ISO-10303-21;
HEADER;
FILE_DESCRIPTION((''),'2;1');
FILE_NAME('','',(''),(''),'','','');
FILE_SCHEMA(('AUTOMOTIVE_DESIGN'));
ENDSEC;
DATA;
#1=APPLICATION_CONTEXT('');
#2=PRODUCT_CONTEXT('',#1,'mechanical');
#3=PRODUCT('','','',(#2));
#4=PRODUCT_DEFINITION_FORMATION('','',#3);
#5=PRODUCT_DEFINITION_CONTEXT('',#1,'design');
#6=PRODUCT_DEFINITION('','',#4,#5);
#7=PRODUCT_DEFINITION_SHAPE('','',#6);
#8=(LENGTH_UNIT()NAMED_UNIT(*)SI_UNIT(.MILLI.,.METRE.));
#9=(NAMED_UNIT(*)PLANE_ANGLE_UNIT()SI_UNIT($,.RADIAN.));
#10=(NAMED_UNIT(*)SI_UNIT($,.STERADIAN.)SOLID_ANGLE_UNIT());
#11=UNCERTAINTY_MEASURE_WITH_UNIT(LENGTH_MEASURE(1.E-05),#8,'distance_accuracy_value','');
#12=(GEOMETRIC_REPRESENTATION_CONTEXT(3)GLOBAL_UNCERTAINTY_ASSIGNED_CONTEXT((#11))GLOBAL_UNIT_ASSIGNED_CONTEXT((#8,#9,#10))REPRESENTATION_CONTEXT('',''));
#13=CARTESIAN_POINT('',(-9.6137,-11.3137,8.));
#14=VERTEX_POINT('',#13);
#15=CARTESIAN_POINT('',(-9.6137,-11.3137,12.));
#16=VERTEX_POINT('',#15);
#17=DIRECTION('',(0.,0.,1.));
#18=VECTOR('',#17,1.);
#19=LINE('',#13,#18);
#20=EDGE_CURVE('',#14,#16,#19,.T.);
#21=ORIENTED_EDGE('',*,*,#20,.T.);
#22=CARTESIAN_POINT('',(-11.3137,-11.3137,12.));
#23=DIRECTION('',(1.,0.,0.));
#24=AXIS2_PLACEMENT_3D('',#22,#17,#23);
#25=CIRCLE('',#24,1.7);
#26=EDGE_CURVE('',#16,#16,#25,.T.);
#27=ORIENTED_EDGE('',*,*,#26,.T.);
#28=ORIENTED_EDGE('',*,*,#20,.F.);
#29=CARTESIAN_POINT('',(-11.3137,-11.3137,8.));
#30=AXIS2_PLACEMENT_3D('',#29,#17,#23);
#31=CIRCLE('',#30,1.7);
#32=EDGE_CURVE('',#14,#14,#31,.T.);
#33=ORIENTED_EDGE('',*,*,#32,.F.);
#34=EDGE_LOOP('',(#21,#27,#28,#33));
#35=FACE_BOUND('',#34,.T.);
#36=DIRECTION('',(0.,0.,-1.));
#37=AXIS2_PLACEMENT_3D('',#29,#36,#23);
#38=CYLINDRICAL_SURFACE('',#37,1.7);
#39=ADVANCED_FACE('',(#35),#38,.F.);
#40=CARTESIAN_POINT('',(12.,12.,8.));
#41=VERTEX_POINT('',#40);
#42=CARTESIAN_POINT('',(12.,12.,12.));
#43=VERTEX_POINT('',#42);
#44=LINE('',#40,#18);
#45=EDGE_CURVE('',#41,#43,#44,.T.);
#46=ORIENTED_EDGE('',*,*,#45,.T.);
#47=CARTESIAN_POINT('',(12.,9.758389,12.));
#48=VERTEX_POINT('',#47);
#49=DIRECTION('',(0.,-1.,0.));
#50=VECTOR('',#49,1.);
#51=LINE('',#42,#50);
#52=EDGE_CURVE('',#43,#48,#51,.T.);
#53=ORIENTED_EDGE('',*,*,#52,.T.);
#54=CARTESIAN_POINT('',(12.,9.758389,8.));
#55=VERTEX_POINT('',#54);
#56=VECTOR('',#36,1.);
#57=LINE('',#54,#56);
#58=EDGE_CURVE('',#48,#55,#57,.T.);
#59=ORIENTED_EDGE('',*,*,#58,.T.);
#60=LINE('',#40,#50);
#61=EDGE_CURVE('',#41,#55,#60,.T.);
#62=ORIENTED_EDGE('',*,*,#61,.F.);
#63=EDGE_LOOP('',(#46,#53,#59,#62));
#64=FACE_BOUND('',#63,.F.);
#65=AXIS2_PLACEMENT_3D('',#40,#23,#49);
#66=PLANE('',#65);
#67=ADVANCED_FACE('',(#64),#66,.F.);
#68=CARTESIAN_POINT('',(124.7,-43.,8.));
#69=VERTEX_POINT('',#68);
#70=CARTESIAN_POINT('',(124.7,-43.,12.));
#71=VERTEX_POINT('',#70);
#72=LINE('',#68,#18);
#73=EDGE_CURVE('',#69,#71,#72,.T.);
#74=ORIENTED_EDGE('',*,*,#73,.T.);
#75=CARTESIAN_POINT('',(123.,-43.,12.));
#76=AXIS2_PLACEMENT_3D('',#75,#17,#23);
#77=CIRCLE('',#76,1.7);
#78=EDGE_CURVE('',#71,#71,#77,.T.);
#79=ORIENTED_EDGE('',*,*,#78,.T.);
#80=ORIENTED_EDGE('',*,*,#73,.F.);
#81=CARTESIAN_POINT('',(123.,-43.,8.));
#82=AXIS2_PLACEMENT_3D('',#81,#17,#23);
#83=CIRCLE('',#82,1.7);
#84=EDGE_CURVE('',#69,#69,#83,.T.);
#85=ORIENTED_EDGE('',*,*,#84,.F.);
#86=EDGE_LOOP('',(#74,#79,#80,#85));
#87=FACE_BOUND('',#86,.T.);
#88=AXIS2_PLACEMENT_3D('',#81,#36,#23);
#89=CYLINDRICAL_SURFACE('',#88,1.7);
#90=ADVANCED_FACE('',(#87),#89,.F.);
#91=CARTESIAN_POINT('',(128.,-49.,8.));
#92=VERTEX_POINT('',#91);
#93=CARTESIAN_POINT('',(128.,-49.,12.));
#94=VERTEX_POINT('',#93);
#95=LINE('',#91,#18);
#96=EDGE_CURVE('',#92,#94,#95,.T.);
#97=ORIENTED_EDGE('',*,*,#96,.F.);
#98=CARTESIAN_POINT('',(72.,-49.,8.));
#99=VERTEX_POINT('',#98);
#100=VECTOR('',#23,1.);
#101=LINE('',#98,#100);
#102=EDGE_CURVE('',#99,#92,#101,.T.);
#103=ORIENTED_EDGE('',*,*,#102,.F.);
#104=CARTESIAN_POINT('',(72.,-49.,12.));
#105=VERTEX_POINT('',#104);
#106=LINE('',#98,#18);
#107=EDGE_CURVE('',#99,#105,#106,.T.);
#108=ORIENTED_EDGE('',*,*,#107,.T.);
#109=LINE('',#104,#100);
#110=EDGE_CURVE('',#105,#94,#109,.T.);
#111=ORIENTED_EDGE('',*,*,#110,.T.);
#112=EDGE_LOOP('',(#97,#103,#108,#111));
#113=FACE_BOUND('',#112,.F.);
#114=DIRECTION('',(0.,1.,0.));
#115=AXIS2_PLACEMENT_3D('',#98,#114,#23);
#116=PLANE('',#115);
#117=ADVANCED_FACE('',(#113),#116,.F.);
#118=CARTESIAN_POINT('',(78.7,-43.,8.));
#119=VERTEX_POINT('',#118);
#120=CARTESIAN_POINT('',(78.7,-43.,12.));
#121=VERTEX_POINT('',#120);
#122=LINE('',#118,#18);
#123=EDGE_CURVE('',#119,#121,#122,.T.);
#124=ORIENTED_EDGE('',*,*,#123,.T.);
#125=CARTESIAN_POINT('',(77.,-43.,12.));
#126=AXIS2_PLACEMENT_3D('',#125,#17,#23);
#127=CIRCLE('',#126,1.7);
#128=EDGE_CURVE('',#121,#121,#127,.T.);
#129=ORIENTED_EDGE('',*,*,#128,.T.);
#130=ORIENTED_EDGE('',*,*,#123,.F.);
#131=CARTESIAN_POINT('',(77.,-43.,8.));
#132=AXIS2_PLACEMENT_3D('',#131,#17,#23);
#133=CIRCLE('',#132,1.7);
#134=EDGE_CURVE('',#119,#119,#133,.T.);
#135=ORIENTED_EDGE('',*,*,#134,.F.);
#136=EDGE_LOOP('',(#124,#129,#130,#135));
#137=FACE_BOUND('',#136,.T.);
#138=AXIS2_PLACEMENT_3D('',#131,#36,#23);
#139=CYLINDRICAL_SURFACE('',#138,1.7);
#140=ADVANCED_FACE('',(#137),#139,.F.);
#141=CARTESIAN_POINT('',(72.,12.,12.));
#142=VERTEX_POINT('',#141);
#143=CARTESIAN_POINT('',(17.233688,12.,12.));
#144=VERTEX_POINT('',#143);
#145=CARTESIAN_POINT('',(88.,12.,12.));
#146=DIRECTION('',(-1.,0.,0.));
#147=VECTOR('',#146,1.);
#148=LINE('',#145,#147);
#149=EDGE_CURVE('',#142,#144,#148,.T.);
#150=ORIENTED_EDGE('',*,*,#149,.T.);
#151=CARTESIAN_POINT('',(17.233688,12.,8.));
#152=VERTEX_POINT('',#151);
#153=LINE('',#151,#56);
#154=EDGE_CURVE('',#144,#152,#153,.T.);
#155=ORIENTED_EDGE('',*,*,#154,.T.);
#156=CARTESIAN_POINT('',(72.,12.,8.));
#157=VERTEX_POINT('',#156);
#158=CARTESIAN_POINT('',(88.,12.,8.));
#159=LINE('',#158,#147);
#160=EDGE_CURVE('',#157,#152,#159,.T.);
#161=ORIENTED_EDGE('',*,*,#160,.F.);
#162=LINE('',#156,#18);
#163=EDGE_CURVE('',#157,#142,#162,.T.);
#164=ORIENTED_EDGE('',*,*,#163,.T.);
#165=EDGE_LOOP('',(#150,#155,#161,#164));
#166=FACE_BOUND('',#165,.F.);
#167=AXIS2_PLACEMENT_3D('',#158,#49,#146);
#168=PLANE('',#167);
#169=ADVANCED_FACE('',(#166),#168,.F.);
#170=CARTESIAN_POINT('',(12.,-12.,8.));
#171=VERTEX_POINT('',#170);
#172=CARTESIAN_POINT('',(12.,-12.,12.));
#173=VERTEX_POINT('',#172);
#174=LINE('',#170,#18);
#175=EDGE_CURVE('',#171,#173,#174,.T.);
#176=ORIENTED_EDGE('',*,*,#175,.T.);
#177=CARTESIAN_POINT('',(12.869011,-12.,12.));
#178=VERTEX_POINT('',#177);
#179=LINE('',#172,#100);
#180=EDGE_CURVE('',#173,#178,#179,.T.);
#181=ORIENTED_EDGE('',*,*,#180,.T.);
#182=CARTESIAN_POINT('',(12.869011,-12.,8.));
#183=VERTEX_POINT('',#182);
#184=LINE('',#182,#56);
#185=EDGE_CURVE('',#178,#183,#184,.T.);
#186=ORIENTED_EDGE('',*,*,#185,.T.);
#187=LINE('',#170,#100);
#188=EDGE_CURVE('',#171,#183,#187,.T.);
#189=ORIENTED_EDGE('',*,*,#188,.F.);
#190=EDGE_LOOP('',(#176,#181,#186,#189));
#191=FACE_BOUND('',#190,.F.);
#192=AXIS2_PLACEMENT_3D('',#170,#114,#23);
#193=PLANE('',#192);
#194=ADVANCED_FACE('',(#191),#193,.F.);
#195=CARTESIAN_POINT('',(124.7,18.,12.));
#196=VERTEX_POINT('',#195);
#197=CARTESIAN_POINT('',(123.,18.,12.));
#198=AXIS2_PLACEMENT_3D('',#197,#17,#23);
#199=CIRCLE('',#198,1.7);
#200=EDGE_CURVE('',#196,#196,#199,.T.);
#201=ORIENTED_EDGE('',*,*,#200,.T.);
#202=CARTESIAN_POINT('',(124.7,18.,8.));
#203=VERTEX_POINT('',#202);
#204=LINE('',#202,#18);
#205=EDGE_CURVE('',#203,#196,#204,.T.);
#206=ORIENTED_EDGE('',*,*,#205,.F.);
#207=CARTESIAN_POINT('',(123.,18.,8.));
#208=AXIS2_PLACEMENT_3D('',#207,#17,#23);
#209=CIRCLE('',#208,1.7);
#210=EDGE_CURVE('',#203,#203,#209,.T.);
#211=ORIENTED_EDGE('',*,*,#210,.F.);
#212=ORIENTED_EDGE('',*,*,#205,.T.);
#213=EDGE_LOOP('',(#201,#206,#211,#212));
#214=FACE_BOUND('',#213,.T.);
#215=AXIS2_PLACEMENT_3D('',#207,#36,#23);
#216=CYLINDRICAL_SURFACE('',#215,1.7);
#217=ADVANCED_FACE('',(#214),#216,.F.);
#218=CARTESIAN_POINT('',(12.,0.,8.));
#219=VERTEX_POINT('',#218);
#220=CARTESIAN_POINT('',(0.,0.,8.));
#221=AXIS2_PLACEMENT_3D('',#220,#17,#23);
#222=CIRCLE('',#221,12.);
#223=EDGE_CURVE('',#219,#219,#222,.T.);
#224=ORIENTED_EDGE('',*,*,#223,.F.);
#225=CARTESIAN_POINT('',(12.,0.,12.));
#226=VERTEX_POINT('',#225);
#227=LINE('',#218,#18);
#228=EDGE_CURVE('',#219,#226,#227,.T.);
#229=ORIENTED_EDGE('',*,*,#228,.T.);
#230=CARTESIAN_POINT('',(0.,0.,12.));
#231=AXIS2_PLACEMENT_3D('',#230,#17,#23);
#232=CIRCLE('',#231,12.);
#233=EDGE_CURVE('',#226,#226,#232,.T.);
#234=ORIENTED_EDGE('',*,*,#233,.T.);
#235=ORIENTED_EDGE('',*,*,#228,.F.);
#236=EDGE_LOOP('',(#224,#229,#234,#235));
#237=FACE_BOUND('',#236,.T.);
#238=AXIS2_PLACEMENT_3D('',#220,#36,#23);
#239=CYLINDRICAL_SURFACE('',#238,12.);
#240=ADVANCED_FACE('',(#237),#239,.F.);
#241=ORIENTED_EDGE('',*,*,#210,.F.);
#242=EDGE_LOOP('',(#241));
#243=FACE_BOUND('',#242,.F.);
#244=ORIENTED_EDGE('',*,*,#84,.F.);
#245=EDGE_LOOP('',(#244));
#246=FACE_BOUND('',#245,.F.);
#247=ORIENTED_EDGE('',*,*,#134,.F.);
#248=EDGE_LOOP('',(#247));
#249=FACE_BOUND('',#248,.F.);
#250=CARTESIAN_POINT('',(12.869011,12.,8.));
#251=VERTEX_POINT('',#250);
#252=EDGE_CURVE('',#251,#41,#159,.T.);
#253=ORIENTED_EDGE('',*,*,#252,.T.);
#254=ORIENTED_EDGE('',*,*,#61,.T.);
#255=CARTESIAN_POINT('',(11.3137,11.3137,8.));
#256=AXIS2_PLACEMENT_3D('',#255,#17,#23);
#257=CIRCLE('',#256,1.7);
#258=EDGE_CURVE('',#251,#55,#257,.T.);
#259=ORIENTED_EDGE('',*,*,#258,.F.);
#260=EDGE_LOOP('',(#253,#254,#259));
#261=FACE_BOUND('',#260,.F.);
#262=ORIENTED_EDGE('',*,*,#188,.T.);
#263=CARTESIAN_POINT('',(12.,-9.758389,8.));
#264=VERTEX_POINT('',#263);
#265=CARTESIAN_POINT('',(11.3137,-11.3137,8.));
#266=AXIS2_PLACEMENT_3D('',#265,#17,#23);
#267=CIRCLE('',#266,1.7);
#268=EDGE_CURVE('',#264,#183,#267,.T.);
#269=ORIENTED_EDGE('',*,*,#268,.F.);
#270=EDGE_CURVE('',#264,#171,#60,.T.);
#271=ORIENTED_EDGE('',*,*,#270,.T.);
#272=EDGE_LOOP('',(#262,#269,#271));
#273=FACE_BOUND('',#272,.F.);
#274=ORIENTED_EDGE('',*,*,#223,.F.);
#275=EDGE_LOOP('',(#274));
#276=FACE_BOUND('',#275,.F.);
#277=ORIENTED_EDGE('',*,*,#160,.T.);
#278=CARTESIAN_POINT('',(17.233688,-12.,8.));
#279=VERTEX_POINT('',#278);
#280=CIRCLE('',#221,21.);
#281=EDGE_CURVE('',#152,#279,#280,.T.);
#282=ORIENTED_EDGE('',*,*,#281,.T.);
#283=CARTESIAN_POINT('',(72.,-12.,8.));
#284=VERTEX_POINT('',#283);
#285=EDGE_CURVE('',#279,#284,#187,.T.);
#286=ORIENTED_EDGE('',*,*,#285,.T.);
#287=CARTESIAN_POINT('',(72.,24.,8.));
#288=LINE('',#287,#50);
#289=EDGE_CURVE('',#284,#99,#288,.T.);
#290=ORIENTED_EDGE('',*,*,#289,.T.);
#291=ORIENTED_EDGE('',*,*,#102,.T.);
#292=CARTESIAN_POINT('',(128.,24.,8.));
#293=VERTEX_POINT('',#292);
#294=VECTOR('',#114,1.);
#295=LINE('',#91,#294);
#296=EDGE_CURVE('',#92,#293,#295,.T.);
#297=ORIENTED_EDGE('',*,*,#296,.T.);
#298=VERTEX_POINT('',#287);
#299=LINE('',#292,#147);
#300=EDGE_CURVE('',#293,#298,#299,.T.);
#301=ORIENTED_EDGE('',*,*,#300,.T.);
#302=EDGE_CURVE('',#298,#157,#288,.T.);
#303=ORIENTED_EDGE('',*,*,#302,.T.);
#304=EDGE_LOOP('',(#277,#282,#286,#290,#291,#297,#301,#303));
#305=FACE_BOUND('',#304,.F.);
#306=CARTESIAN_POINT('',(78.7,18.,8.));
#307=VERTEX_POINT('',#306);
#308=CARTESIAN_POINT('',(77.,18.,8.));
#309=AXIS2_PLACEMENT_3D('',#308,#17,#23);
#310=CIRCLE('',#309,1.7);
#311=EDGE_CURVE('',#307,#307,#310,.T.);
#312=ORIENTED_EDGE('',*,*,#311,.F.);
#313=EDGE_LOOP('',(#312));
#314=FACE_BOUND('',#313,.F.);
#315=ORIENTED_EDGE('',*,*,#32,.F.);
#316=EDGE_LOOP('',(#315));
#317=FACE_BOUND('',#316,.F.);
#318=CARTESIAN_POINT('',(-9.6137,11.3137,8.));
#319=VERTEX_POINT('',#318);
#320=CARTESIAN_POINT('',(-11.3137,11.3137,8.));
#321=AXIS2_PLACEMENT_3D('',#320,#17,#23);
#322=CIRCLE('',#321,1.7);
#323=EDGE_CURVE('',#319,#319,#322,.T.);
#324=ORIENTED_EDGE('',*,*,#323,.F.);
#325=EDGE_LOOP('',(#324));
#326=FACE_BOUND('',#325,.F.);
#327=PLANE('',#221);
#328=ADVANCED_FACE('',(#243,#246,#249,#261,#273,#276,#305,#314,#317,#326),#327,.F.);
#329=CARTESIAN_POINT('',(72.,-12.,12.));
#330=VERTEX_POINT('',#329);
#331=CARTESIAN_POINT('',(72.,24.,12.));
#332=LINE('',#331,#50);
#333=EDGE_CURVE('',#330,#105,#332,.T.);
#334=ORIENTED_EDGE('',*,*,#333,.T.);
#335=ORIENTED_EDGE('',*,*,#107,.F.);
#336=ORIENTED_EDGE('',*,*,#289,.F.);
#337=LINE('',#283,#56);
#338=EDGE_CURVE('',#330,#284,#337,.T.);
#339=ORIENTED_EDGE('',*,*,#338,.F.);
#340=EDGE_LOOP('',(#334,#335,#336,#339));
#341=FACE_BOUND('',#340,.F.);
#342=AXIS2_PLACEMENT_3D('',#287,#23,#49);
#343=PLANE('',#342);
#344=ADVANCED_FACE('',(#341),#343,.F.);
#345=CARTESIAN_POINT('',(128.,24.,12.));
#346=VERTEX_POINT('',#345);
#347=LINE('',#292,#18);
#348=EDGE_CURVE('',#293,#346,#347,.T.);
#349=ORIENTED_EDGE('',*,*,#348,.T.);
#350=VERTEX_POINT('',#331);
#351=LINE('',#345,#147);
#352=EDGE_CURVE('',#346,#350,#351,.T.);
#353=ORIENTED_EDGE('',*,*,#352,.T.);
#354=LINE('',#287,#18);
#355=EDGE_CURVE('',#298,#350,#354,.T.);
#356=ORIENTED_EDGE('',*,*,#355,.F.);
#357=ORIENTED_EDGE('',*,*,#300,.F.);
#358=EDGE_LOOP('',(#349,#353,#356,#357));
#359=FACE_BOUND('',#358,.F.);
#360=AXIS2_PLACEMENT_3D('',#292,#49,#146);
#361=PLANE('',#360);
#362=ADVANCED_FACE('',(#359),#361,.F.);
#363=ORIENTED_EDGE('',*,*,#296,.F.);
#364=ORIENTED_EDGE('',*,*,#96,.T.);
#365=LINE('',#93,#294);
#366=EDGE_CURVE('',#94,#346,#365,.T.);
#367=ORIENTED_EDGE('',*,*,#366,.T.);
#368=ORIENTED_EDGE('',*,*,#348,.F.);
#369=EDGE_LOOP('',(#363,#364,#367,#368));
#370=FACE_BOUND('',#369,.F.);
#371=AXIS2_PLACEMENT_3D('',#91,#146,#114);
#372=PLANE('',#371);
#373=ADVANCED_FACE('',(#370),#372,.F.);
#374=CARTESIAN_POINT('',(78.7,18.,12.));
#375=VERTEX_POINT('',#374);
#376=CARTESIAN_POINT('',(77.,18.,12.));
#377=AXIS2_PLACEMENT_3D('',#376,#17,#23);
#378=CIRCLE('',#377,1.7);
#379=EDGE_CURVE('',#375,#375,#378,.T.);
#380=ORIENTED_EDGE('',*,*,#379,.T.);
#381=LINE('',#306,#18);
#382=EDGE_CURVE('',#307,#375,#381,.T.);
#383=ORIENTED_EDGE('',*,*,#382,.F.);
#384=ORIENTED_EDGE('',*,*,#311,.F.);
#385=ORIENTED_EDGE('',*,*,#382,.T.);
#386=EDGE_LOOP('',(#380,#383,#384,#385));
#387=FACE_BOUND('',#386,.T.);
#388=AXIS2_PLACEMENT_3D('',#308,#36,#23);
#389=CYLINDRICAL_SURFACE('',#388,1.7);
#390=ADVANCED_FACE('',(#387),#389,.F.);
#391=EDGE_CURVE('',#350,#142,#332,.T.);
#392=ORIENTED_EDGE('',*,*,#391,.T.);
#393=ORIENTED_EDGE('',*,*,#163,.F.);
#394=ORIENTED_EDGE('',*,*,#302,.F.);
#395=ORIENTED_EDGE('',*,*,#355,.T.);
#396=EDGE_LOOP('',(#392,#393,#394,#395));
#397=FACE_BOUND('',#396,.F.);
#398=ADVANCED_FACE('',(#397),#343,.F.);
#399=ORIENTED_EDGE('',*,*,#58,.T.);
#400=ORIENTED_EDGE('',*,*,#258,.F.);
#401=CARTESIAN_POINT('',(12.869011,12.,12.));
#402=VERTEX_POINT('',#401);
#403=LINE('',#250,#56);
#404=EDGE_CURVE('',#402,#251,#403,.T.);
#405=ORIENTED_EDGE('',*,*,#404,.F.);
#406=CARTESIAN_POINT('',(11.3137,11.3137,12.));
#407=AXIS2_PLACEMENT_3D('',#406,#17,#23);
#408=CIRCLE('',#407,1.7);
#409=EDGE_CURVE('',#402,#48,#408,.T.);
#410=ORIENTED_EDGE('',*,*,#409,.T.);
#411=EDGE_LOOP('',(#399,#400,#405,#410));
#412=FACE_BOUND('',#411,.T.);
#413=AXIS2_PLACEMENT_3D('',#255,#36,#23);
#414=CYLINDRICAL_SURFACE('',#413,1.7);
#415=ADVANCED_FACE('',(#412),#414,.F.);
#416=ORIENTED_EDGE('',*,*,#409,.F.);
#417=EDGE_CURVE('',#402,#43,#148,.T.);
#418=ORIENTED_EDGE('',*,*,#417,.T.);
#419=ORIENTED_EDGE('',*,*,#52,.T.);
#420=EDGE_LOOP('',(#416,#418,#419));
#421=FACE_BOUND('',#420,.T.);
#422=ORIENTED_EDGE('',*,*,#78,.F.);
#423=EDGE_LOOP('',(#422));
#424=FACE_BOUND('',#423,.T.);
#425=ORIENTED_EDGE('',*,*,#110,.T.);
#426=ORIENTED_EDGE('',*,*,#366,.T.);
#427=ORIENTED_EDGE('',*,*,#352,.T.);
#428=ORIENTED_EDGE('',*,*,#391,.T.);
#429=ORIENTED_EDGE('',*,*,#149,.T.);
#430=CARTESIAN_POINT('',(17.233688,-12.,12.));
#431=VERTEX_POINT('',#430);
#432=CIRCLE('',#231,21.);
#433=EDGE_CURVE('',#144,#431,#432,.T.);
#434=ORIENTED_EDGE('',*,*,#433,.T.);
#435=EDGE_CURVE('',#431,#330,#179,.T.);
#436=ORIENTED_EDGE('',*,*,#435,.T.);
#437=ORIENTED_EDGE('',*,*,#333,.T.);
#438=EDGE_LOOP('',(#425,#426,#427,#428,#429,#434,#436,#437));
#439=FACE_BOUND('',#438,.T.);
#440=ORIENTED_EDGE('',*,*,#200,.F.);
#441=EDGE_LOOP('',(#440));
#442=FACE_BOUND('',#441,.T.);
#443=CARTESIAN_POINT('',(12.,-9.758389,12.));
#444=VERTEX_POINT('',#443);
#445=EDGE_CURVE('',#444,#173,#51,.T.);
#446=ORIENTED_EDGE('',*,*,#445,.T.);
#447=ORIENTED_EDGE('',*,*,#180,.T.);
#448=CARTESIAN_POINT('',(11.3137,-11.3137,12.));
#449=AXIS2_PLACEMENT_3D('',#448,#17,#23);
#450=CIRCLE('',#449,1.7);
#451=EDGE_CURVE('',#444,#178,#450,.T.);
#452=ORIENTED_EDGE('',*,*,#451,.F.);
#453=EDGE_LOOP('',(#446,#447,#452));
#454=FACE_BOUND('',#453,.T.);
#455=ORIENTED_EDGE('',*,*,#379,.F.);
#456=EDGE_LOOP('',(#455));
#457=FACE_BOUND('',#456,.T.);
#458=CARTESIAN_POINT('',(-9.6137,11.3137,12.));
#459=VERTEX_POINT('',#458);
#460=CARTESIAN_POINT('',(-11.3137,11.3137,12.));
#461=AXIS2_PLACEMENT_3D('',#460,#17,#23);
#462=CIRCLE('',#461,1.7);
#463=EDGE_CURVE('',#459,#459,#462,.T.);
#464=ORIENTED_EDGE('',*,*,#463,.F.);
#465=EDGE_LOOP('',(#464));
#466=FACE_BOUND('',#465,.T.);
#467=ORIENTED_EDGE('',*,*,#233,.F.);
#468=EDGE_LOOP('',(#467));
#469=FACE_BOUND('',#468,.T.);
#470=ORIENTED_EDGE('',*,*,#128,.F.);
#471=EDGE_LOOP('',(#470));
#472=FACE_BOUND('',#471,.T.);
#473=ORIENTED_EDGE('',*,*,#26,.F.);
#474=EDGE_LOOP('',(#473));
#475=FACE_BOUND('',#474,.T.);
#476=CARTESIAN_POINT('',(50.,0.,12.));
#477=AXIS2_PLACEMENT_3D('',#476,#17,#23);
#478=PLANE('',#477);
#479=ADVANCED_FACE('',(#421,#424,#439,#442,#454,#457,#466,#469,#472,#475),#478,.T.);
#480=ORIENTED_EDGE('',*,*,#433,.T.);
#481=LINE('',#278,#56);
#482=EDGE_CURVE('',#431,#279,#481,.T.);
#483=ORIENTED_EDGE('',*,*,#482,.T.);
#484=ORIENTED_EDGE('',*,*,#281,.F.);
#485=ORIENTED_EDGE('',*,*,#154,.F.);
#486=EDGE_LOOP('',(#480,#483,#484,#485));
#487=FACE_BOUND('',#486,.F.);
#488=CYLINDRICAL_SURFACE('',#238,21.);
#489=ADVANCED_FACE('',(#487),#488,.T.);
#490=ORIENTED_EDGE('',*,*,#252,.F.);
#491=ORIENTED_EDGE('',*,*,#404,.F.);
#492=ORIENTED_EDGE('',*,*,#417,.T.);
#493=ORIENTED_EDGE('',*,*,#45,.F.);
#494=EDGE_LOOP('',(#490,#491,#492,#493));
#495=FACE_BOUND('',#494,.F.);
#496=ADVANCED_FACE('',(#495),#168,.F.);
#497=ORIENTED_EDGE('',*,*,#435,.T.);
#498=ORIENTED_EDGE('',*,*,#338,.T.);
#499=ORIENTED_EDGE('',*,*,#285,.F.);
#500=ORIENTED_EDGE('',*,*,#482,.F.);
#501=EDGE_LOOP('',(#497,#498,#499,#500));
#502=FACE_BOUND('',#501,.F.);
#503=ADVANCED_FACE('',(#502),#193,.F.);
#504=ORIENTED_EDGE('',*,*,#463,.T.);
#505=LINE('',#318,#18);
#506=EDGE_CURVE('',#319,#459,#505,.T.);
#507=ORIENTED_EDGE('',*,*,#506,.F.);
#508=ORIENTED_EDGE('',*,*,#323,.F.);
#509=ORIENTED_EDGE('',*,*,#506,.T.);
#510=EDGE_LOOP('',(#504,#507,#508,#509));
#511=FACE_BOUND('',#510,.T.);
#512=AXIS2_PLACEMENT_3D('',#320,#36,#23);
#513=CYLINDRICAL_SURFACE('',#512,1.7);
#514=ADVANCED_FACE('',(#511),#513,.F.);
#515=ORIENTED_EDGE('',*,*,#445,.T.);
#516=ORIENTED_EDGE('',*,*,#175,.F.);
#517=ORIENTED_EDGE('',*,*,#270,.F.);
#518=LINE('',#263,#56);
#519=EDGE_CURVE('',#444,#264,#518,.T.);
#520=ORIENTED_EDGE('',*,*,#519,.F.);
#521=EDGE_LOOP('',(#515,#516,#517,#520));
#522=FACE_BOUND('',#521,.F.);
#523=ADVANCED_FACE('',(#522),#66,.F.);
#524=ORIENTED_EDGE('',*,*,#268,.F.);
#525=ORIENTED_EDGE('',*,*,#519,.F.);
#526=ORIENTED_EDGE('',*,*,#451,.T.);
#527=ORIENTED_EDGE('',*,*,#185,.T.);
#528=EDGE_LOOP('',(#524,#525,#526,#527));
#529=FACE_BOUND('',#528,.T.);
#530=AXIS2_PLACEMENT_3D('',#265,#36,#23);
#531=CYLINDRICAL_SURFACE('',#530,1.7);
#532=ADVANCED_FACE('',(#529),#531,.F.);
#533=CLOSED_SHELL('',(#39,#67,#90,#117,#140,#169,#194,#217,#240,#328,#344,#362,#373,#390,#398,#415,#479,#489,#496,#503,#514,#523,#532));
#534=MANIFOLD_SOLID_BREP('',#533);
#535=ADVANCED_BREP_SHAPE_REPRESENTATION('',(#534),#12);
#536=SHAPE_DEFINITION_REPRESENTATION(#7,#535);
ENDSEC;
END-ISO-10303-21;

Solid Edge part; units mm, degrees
sketch "Sketch1" plane through (0, 0, 8) normal (0, 0, 1) x (1, 0, 0)
  circle A0 centre (0, 0) radius 21
  circle A1 centre (0, 0) radius 12
  circle A2 centre (11.3137, 11.3137) radius 1.7
  circle A3 centre (-11.3137, 11.3137) radius 1.7
  circle A4 centre (-11.3137, -11.3137) radius 1.7
  circle A5 centre (11.3137, -11.3137) radius 1.7
extrude "ExtrudedProtrusion_1" add sketch "Sketch1" along normal blind 4
sketch "Sketch2" plane through (0, 0, 8) normal (0, 0, 1) x (1, 0, 0)
  line L0 (12, -12) -> (88, -12)
  line L1 (88, -12) -> (88, 12)
  line L2 (88, 12) -> (12, 12)
  line L3 (12, 12) -> (12, -12)
extrude "ExtrudedProtrusion_2" add sketch "Sketch2" along normal blind 4
sketch "Sketch3" plane through (0, 0, 8) normal (0, 0, 1) x (1, 0, 0)
  line L0 (72, -49) -> (128, -49)
  line L1 (128, -49) -> (128, 24)
  line L2 (128, 24) -> (72, 24)
  line L3 (72, 24) -> (72, -49)
  circle A0 centre (77, -43) radius 1.7
  circle A1 centre (123, -43) radius 1.7
  circle A2 centre (77, 18) radius 1.7
  circle A3 centre (123, 18) radius 1.7
extrude "ExtrudedProtrusion_3" add sketch "Sketch3" along normal blind 4
